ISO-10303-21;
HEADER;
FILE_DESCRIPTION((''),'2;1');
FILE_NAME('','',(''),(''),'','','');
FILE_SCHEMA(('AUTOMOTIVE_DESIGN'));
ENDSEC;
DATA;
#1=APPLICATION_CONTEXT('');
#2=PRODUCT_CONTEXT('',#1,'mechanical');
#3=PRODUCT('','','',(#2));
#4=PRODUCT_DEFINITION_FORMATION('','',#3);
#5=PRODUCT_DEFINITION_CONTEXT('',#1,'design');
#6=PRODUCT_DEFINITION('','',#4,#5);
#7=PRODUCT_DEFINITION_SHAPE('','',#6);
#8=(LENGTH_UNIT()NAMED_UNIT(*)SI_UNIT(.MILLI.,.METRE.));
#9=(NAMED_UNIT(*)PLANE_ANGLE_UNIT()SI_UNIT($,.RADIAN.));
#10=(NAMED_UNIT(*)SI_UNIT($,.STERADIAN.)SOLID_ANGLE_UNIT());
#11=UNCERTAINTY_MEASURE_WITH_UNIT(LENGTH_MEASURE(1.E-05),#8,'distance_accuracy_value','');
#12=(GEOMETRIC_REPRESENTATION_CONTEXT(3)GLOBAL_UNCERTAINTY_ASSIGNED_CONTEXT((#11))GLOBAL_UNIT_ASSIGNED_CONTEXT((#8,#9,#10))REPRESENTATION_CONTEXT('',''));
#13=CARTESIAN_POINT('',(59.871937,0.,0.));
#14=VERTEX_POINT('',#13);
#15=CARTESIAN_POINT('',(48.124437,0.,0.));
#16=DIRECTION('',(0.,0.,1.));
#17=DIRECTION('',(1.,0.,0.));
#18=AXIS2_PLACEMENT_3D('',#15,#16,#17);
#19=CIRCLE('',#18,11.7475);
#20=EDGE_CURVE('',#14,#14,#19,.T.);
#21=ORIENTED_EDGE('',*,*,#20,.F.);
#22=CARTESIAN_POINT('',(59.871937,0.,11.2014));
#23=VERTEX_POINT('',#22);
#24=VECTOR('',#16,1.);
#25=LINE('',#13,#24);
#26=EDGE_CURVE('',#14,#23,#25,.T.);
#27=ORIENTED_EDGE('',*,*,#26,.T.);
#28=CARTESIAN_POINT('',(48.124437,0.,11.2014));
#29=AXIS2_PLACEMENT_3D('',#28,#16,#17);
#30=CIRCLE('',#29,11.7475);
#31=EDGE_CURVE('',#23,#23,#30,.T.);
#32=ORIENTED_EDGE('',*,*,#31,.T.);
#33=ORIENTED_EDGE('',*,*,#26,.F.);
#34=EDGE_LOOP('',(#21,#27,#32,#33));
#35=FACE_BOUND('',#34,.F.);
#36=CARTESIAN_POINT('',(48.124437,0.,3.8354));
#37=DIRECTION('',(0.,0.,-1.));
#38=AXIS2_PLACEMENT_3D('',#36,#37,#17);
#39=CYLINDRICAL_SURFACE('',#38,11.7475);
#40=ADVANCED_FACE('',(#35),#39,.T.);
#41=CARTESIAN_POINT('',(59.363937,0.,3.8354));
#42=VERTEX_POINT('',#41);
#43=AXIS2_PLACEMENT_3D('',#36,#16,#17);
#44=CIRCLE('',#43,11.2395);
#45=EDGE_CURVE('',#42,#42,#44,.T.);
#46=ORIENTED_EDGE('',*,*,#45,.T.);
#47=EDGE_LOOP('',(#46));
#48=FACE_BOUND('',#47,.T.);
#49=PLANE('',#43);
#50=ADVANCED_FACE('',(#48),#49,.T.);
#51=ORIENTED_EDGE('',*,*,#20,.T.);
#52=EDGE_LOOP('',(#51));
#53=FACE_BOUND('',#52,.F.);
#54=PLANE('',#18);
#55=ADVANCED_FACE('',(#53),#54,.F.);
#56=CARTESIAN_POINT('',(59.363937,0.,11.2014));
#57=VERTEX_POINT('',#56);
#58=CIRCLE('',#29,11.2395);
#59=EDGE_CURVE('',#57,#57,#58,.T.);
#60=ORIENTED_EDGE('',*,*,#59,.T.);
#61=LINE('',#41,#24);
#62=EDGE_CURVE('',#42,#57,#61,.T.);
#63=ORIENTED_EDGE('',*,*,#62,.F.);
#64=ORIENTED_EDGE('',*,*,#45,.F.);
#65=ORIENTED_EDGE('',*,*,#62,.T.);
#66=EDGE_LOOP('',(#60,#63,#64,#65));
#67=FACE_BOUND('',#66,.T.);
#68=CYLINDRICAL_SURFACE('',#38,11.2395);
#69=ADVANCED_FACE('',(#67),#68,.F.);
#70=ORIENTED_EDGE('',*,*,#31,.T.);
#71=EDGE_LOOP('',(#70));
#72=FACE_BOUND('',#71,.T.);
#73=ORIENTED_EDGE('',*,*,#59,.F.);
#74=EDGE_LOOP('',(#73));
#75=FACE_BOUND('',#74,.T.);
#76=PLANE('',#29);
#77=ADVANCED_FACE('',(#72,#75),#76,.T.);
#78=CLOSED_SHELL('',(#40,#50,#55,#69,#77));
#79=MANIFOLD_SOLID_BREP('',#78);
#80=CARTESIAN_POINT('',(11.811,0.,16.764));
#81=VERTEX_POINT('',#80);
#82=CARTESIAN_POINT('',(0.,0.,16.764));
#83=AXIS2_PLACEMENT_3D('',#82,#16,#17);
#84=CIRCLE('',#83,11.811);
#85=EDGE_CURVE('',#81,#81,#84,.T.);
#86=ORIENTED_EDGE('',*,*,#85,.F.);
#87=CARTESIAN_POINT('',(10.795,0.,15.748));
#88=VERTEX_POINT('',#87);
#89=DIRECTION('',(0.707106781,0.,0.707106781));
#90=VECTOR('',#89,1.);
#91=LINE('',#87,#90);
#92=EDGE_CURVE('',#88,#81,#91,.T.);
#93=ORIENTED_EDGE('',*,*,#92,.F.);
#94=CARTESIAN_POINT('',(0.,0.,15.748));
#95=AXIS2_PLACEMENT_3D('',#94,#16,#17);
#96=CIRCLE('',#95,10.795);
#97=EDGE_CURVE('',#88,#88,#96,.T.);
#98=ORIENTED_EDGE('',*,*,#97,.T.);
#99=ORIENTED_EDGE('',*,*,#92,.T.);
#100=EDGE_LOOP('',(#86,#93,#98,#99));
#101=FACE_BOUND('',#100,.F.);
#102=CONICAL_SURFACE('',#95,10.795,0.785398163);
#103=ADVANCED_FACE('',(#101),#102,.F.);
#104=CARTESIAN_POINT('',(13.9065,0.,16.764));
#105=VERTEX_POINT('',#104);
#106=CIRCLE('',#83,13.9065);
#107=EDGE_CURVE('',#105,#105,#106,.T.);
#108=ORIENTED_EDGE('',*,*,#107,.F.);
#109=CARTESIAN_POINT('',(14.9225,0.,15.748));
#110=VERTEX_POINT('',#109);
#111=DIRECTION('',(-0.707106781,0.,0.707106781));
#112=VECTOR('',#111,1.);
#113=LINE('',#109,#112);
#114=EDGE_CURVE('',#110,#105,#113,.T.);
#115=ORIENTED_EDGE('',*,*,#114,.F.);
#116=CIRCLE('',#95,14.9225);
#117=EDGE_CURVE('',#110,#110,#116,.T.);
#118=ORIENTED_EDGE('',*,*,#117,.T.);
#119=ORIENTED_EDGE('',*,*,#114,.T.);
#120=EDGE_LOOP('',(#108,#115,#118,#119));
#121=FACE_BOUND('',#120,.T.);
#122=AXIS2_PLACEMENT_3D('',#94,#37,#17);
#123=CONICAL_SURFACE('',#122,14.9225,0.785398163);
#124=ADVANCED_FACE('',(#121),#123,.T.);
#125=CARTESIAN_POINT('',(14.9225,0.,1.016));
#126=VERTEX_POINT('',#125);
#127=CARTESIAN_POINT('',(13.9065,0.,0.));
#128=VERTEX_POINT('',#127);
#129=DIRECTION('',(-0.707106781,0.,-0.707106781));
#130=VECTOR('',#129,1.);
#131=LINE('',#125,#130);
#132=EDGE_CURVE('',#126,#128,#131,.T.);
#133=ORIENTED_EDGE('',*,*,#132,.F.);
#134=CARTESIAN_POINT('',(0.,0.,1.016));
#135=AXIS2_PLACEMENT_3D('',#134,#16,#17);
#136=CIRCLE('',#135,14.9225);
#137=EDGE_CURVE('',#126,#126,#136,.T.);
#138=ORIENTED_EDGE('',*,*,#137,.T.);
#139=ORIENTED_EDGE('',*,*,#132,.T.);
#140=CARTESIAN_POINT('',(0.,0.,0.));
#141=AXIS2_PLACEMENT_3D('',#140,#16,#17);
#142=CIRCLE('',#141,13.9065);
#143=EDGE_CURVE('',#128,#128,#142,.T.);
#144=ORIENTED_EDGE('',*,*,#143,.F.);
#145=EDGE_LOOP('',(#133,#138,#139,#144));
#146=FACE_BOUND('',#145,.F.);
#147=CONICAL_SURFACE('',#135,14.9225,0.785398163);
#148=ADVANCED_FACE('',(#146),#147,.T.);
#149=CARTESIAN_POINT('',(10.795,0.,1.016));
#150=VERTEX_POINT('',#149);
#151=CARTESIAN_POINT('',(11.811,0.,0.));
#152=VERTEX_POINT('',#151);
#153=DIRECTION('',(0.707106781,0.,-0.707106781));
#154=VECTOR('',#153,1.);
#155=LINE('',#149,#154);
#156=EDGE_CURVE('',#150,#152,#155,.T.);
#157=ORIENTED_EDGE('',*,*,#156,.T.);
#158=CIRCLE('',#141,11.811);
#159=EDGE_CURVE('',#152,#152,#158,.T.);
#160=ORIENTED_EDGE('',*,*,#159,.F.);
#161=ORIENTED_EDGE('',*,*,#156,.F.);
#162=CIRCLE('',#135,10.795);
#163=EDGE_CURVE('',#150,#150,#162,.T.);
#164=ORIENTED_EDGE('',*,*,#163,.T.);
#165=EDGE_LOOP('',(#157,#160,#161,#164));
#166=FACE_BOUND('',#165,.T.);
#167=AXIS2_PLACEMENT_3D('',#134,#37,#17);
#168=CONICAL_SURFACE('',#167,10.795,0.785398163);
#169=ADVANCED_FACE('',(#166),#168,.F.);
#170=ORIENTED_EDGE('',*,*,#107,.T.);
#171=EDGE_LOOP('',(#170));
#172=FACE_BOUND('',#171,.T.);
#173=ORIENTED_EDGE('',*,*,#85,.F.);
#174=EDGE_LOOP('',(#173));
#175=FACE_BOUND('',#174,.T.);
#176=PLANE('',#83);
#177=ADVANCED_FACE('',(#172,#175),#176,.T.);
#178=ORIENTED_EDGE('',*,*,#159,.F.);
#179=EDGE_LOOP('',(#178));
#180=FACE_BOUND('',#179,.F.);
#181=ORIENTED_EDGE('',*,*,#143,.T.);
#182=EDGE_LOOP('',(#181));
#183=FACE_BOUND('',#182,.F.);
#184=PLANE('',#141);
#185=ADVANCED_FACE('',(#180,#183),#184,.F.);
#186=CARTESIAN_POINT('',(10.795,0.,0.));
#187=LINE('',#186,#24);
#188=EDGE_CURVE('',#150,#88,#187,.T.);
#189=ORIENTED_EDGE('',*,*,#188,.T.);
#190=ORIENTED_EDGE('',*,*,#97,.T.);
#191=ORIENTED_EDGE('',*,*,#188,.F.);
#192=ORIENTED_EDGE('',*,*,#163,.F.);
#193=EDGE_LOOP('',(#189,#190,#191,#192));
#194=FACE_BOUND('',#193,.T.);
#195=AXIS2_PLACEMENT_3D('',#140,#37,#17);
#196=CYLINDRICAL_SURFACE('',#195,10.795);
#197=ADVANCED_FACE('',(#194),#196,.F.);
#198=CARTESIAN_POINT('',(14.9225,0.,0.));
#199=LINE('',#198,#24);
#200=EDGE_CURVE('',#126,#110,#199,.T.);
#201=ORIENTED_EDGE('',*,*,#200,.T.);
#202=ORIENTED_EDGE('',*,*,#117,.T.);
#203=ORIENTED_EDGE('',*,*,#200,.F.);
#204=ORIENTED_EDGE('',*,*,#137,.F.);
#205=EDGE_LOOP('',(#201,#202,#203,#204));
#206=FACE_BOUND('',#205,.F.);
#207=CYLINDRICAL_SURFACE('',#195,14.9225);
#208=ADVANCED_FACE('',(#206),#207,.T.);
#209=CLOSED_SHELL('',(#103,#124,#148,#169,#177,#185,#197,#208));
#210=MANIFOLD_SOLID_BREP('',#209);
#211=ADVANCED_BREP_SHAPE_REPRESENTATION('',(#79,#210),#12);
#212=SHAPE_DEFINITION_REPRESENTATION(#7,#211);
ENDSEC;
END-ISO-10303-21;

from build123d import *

# Parameters (mm, degrees)
F0_R     = 14.9225
F0_R_2   = 10.795
F1_DEPTH = 16.764
F2_SIZE  = 1.016
F3_R     = 11.7475
F4_DEPTH = 3.8354
F5_R     = 11.7475
F5_R_2   = 11.2395
F6_DEPTH = 7.366


with BuildPart() as f1:
    # F0 (on Top) → F1 (new body)
    with BuildSketch(Plane.XY):
        Circle(F0_R)
        Circle(F0_R_2, mode=Mode.SUBTRACT)
    extrude(amount=F1_DEPTH)

    # F2
    f2_edges = [f1.edges().sort_by_distance(p)[0] for p in [
        (-10.795, 0, 16.764),
        (-14.9225, 0, 16.764),
        (-10.795, 0, 0),
        (-14.9225, 0, 0),
    ]]
    chamfer(f2_edges, length=F2_SIZE)


with BuildPart() as f4:
    # F3 (on Top) → F4 (new body)
    with BuildSketch(Plane.XY):
        with Locations((48.124437, 0)):
            Circle(F3_R)
    extrude(amount=F4_DEPTH)

    # F5 (on face) → F6 (join)
    with BuildSketch(Plane.XY.offset(3.8354)):
        with Locations((48.124437, 0)):
            Circle(F5_R)
        with Locations((48.124437, 0)):
            Circle(F5_R_2, mode=Mode.SUBTRACT)
    extrude(amount=F6_DEPTH)


solid = Compound([f1.part, f4.part])
